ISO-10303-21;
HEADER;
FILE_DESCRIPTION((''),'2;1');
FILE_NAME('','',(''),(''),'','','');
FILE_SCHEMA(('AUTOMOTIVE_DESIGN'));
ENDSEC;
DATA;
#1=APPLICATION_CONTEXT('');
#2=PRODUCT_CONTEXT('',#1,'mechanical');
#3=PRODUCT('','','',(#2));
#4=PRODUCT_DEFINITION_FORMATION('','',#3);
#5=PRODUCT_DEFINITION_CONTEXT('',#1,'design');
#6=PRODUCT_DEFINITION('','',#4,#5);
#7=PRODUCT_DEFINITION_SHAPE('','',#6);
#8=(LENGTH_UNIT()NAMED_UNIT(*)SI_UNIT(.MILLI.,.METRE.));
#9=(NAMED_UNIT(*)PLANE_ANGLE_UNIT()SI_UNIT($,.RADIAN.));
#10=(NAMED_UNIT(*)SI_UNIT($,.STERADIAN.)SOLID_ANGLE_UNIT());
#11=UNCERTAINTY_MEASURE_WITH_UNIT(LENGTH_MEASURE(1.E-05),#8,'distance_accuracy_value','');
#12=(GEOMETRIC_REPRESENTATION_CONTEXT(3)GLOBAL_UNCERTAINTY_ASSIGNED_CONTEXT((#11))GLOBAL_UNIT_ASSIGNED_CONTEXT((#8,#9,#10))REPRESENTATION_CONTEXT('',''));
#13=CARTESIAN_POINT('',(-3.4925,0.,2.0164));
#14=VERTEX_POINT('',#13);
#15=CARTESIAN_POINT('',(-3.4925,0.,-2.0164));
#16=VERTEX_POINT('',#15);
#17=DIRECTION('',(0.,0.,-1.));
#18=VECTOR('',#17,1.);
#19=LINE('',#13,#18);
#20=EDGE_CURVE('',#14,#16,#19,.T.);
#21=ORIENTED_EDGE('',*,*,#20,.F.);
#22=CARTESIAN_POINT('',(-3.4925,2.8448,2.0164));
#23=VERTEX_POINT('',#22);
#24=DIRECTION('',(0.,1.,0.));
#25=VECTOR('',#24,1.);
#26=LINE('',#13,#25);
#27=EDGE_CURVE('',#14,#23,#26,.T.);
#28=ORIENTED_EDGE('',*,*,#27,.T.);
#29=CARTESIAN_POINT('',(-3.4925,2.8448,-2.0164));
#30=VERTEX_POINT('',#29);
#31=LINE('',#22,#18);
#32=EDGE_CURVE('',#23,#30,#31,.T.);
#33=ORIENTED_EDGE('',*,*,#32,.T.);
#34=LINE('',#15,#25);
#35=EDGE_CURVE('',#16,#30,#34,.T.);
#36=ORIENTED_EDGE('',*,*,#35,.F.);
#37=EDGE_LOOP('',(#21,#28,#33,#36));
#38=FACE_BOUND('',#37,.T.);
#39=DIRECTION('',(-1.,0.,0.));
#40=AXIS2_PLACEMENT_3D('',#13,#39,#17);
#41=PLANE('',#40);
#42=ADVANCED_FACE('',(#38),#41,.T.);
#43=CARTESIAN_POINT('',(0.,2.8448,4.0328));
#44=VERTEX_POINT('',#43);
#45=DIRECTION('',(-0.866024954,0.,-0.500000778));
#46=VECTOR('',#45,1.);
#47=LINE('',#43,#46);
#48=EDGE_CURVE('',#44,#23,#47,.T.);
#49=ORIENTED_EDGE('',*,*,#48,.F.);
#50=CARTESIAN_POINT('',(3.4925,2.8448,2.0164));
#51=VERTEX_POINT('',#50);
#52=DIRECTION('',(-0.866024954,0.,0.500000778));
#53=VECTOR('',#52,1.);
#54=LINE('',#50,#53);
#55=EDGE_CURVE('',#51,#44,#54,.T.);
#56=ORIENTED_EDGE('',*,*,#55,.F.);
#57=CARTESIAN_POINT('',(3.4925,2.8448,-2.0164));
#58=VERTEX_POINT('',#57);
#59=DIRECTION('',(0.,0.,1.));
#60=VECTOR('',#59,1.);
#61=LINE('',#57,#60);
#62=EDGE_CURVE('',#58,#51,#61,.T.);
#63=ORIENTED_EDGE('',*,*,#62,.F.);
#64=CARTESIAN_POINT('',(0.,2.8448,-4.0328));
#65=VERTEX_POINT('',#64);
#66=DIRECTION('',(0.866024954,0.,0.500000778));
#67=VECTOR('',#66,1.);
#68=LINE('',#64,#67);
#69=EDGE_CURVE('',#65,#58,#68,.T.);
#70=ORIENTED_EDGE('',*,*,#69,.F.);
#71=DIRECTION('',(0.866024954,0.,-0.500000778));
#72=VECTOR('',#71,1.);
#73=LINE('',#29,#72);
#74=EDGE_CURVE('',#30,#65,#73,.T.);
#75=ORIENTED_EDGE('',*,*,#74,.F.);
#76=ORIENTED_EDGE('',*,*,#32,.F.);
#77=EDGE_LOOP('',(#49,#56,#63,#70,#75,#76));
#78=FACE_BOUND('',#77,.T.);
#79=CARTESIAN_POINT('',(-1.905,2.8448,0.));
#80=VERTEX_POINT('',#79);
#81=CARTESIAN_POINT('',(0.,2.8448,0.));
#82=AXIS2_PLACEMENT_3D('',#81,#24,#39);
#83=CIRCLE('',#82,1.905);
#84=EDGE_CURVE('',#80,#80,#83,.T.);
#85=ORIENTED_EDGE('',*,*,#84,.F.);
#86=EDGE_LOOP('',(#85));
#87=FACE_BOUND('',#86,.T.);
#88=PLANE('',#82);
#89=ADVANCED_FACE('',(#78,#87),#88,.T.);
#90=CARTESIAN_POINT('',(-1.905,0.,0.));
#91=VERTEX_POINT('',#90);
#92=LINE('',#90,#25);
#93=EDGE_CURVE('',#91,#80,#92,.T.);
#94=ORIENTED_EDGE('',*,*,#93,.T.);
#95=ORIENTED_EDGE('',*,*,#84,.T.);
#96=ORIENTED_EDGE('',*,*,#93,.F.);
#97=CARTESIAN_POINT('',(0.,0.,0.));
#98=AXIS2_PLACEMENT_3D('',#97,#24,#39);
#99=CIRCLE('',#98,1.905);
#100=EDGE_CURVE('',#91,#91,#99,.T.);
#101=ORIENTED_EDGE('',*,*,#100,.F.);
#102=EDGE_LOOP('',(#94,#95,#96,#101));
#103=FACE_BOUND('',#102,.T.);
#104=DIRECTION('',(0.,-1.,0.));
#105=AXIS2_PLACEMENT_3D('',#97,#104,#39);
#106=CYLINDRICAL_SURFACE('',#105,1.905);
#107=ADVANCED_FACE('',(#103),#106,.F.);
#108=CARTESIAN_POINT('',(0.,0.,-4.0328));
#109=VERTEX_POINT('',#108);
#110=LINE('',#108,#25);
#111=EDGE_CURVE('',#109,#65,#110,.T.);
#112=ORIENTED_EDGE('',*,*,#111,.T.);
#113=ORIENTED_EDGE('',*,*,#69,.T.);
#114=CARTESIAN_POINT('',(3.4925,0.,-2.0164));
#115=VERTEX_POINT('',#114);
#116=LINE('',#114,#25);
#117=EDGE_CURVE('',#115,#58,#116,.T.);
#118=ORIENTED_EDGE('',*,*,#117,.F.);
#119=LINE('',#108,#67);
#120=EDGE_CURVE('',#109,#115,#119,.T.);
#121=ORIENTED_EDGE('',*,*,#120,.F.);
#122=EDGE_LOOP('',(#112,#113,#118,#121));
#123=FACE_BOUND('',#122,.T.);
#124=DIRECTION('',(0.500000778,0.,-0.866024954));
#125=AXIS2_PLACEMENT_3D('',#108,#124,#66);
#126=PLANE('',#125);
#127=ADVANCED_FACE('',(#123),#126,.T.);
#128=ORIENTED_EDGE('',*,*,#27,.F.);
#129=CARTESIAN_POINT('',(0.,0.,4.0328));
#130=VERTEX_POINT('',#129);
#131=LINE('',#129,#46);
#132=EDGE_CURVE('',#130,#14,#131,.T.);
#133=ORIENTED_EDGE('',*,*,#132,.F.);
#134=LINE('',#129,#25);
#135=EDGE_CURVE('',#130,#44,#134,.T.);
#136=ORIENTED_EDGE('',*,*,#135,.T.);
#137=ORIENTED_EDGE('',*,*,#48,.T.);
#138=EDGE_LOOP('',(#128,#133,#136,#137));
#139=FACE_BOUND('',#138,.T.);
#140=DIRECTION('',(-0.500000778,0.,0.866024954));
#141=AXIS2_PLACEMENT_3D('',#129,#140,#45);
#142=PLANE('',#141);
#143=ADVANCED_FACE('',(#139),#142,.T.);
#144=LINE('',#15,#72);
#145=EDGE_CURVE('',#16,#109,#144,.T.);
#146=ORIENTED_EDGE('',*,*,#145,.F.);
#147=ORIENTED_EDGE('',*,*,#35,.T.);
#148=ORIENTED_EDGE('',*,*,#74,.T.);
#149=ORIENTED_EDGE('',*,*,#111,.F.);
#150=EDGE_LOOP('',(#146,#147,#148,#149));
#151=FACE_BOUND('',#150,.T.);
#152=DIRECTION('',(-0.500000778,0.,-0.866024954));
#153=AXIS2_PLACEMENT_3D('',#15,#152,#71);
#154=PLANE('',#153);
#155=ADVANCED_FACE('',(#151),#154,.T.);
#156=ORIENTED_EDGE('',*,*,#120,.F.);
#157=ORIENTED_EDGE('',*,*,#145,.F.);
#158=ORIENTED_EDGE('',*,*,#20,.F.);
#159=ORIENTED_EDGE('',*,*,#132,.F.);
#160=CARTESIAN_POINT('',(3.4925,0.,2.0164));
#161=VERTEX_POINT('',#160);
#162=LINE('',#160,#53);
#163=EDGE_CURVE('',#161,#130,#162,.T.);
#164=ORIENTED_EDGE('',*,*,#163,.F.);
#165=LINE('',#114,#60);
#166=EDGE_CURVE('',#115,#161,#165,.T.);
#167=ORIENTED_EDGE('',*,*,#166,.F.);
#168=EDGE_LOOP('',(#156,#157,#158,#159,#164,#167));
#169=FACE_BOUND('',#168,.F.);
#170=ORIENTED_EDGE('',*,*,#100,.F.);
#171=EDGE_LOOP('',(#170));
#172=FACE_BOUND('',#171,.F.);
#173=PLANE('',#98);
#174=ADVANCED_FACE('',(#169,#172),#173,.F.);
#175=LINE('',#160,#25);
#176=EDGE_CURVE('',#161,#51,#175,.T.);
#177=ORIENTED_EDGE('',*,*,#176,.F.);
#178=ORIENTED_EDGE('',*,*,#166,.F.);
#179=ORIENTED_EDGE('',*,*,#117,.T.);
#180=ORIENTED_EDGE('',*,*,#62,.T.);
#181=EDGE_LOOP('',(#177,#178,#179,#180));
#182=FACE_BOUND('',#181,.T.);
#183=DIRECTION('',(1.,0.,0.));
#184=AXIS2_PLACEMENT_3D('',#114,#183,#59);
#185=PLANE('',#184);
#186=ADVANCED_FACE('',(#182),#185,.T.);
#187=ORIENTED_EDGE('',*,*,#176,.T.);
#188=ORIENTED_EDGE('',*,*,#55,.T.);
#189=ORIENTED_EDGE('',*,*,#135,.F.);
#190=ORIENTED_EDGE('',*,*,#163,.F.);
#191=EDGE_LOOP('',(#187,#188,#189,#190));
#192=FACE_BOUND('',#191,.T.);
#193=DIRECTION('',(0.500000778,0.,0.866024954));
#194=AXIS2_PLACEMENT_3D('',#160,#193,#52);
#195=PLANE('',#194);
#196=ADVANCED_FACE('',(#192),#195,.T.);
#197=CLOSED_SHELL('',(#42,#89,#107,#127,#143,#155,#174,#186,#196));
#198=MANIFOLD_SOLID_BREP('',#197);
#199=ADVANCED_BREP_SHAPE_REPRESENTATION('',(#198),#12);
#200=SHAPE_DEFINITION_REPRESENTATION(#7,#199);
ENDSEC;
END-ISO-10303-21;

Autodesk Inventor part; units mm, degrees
ref_plane "YZ Plane" through (0, 0, 0) normal (1, 0, 0) x (0, 1, 0)
ref_plane "XZ Plane" through (0, 0, 0) normal (0, 1, 0) x (-1, 0, 0)
ref_plane "XY Plane" through (0, 0, 0) normal (0, 0, 1) x (1, 0, 0)
sketch "Sketch1" plane through (0, 0, 0) normal (0, 1, 0) x (-1, 0, 0)
  line L0 (0, 4.0328) -> (3.4925, 2.0164)
  line L1 (3.4925, 2.0164) -> (3.4925, -2.0164)
  line L2 (3.4925, -2.0164) -> (0, -4.0328)
  line L3 (0, -4.0328) -> (-3.4925, -2.0164)
  line L4 (-3.4925, -2.0164) -> (-3.4925, 2.0164)
  line L5 (-3.4925, 2.0164) -> (0, 4.0328)
  circle A0 centre (0, 0) radius 1.905
  dimension "d0" = 6.985
  dimension "d1" = 3.81
extrude "Extrusion1" add sketch "Sketch1" along normal blind 2.8448
thread "Thread1" size "2-56 UNC" class "2B" standard "ANSI Unified Screw Threads" full length
properties part number "nut for baring" material "Aluminum 6061"
